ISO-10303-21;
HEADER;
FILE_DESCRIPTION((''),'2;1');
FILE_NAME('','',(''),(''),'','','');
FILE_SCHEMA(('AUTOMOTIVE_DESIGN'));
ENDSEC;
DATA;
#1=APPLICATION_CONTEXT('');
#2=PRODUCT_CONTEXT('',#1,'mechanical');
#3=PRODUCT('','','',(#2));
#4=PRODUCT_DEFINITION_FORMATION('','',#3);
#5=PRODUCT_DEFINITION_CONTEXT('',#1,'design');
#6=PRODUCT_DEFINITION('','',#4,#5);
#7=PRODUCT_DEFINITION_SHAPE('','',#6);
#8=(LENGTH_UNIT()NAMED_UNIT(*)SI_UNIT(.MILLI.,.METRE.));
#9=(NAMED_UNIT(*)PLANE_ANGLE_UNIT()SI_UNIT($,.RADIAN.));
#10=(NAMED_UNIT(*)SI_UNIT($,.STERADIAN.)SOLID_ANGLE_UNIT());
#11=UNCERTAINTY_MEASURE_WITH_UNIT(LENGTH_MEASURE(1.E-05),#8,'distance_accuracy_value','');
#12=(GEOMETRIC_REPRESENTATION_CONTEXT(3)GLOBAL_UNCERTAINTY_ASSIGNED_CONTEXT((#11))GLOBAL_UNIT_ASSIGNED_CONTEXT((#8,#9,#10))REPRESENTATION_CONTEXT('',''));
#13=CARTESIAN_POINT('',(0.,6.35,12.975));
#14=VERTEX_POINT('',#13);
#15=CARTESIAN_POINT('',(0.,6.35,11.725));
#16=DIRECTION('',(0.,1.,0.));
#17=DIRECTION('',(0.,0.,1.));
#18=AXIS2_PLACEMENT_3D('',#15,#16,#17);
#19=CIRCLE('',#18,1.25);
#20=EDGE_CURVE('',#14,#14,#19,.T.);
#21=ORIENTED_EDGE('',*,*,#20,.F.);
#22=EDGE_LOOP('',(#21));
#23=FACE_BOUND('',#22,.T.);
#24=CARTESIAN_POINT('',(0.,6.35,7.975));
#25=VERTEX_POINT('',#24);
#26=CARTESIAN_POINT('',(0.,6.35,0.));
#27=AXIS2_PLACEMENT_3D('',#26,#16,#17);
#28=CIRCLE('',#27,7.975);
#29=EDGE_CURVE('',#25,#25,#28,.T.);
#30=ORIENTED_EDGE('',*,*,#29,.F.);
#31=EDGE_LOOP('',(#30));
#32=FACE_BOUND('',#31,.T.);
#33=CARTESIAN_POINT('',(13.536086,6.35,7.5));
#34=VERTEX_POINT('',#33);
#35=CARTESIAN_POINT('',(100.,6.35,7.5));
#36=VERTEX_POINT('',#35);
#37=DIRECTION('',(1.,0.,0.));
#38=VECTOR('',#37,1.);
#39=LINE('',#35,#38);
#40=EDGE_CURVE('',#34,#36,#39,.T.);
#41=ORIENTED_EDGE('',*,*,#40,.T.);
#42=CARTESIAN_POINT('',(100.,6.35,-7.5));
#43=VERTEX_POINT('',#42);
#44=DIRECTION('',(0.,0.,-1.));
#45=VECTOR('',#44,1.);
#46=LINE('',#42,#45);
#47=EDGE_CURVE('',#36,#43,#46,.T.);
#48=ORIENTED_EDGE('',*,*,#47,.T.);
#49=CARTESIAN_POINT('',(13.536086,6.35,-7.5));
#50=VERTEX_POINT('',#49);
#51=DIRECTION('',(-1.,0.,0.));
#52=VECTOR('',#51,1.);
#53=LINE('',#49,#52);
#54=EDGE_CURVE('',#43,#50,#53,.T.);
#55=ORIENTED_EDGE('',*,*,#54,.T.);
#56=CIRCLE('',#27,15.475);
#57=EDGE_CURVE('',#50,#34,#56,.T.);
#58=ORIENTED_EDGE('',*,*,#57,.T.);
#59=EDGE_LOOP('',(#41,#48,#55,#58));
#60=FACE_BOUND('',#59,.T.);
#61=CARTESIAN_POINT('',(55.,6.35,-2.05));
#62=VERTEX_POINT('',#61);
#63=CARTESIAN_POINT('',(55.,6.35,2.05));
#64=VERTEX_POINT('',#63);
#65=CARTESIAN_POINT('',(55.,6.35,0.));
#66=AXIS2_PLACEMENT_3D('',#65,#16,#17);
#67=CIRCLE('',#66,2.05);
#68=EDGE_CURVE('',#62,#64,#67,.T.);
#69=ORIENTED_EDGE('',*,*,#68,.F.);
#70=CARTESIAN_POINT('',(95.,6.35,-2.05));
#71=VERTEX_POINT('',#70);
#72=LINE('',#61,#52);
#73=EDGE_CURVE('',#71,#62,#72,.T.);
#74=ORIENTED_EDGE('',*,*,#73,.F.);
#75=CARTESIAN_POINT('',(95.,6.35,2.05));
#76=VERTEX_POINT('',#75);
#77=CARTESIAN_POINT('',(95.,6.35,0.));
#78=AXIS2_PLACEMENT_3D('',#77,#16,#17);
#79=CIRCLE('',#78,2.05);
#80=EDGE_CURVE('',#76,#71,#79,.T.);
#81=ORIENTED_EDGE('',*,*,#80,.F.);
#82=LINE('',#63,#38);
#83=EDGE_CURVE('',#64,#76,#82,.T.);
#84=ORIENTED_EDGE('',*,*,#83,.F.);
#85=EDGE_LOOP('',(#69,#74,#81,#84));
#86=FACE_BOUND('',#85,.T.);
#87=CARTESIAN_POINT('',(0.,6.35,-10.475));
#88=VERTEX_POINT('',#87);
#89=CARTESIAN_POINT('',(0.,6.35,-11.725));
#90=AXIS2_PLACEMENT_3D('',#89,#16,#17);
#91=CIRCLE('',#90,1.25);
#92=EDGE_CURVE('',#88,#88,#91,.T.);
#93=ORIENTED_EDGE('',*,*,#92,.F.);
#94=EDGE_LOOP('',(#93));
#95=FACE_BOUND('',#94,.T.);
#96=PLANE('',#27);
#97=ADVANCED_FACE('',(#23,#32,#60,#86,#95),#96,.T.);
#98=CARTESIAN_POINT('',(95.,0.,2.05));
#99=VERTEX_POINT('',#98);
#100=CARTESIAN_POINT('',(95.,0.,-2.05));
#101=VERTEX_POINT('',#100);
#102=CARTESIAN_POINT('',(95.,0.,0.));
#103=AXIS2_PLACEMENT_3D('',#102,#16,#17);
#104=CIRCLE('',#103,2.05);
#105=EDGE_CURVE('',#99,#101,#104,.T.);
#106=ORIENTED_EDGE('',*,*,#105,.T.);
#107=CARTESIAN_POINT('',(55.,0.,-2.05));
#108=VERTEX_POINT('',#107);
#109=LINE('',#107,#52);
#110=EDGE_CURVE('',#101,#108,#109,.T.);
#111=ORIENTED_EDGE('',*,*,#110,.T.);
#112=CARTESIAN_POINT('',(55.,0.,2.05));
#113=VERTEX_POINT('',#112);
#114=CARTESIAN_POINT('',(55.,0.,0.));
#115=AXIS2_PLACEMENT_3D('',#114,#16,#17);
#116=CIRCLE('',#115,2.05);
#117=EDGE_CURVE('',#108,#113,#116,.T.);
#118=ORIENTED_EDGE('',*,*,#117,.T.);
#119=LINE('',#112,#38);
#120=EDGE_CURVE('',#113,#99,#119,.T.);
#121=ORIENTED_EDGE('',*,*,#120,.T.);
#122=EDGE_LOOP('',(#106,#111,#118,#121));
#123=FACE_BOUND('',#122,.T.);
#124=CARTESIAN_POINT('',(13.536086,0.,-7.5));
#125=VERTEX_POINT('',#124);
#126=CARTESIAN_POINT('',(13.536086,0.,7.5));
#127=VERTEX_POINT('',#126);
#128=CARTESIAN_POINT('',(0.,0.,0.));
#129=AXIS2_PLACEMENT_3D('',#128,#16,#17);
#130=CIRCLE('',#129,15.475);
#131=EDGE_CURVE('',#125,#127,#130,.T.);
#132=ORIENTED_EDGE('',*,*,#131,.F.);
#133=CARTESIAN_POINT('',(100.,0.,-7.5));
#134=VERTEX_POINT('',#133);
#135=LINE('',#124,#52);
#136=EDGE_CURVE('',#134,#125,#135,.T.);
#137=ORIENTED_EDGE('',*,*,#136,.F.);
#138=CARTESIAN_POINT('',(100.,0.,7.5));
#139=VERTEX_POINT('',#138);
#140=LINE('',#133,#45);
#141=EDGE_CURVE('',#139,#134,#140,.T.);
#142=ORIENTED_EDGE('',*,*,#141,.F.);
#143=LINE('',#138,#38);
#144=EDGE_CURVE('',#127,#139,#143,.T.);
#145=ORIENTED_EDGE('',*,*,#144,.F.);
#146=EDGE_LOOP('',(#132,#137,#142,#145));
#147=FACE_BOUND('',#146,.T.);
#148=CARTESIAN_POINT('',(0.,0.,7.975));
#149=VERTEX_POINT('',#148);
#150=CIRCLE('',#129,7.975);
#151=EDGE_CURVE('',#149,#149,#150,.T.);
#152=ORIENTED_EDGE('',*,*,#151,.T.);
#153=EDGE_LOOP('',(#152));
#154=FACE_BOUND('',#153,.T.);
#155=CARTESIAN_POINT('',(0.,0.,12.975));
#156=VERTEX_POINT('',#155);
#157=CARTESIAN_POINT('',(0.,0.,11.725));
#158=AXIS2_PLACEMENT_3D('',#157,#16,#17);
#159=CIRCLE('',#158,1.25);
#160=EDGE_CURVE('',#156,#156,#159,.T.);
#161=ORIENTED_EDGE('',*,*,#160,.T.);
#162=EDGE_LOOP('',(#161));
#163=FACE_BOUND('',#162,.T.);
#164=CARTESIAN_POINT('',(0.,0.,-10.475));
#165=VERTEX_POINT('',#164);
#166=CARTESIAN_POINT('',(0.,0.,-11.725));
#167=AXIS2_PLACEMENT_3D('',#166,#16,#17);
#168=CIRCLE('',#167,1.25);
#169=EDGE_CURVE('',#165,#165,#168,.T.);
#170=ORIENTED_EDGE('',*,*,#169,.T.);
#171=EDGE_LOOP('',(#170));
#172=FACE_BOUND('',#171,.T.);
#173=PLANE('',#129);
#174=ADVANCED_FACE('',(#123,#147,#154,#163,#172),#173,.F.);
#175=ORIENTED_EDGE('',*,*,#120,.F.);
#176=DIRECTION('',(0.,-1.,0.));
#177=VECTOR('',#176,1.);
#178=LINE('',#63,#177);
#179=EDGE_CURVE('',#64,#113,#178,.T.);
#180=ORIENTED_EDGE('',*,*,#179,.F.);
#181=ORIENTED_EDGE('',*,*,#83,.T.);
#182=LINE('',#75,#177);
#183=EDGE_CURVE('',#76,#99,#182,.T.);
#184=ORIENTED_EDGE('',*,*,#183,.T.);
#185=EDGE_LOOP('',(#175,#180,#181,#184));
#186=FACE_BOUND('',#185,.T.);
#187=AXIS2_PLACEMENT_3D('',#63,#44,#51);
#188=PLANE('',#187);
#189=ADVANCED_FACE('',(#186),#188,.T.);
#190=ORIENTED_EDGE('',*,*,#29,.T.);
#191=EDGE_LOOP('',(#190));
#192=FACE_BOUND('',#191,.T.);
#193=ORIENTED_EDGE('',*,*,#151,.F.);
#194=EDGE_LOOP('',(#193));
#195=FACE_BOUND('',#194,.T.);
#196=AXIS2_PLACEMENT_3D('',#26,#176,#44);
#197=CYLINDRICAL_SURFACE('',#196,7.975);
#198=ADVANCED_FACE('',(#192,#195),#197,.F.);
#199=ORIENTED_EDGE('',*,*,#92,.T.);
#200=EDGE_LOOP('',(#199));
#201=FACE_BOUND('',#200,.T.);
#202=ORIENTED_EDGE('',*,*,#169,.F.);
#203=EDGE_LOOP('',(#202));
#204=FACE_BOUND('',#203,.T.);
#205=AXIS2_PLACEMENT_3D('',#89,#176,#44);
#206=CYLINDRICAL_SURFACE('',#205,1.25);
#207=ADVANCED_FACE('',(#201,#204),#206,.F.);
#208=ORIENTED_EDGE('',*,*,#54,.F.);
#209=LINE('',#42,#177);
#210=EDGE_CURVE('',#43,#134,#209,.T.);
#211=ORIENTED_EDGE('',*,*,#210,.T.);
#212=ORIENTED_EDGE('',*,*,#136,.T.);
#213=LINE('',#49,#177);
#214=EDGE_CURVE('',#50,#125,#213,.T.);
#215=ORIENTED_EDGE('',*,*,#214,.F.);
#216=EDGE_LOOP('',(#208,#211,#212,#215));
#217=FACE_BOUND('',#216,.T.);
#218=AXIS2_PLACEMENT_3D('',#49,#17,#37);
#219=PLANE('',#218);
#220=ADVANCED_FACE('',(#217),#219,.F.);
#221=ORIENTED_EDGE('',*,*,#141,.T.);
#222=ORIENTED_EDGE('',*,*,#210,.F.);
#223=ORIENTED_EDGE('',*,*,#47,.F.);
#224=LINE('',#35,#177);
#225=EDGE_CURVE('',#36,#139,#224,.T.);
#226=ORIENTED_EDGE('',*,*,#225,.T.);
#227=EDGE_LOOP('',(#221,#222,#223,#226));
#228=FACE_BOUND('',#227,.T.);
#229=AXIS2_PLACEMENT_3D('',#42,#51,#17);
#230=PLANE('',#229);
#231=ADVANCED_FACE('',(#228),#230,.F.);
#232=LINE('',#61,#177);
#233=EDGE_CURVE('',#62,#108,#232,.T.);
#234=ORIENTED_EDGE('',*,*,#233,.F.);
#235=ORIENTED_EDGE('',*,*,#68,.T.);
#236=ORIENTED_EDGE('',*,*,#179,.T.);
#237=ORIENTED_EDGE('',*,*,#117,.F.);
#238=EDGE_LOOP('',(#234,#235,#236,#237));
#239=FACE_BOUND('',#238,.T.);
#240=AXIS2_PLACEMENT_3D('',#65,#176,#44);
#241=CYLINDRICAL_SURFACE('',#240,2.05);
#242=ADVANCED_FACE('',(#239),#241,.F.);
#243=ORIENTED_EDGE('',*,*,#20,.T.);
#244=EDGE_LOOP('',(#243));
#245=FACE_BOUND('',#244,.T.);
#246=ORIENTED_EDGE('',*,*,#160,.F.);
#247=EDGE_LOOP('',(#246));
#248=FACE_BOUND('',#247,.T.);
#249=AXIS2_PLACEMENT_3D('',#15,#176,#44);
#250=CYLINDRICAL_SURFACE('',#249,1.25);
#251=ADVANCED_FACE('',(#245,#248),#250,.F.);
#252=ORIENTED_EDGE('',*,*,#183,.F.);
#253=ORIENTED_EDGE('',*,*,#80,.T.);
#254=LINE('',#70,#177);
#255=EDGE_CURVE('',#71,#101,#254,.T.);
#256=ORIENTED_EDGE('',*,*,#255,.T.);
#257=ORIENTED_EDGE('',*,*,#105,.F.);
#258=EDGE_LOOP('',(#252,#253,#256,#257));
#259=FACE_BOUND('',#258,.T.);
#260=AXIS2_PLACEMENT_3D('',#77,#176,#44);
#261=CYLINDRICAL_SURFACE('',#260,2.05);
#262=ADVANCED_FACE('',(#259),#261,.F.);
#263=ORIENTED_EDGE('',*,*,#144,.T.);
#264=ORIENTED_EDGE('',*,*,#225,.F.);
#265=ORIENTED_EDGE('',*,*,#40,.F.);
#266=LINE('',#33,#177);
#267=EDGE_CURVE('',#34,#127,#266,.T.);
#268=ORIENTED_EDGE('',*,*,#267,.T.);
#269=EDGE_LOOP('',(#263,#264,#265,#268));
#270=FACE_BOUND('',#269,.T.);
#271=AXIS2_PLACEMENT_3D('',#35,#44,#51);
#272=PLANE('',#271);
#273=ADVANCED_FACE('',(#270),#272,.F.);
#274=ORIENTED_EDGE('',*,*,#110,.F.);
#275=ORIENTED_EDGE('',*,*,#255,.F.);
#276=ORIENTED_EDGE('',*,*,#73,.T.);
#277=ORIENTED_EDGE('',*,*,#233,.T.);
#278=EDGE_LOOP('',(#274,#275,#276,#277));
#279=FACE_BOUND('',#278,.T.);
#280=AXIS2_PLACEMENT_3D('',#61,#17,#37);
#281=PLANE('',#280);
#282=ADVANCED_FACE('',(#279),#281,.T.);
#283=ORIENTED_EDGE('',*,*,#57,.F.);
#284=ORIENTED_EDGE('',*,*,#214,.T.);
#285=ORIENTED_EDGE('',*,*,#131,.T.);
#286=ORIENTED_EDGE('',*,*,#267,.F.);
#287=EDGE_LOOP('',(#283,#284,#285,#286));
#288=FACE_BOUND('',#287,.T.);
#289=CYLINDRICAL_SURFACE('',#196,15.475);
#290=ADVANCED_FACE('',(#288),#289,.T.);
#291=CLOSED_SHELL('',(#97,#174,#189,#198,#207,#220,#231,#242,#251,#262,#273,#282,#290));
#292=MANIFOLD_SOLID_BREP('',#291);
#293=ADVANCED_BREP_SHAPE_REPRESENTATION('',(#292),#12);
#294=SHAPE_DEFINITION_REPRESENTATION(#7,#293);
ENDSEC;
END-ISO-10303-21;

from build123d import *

# Parameters (mm, degrees)
SKETCH1_R           = 7.975
SKETCH1_R_2         = 1.25
BOSS_EXTRUDE1_DEPTH = 6.35


with BuildPart() as part:
    # Sketch1 → Boss-Extrude1 (new body)
    with BuildSketch(Plane(origin=(0, 0, 0), x_dir=(1, 0, 0), z_dir=(0, 1, 0))):
        with BuildLine():
            Line((13.53608603, 7.5), (100, 7.5))
            Line((100, 7.5), (100, -7.5))
            Line((100, -7.5), (13.53608603, -7.5))
            ThreePointArc((13.53608603, -7.5), (-15.475, 0), (13.53608603, 7.5))
        make_face()
        with Locations(Location((0, 0, 0), (0, 0, 270))):
            Circle(SKETCH1_R, mode=Mode.SUBTRACT)
        with Locations(Location((0, -11.725, 0), (0, 0, 270))):
            Circle(SKETCH1_R_2, mode=Mode.SUBTRACT)
        with Locations(Location((0, 11.725, 0), (0, 0, 270))):
            Circle(SKETCH1_R_2, mode=Mode.SUBTRACT)
        with BuildLine():
            Line((55, 2.05), (95, 2.05))
            ThreePointArc((95, 2.05), (97.05, 0), (95, -2.05))
            Line((95, -2.05), (55, -2.05))
            ThreePointArc((55, -2.05), (52.95, 0), (55, 2.05))
        make_face(mode=Mode.SUBTRACT)
    extrude(amount=BOSS_EXTRUDE1_DEPTH)


solid = part.part
